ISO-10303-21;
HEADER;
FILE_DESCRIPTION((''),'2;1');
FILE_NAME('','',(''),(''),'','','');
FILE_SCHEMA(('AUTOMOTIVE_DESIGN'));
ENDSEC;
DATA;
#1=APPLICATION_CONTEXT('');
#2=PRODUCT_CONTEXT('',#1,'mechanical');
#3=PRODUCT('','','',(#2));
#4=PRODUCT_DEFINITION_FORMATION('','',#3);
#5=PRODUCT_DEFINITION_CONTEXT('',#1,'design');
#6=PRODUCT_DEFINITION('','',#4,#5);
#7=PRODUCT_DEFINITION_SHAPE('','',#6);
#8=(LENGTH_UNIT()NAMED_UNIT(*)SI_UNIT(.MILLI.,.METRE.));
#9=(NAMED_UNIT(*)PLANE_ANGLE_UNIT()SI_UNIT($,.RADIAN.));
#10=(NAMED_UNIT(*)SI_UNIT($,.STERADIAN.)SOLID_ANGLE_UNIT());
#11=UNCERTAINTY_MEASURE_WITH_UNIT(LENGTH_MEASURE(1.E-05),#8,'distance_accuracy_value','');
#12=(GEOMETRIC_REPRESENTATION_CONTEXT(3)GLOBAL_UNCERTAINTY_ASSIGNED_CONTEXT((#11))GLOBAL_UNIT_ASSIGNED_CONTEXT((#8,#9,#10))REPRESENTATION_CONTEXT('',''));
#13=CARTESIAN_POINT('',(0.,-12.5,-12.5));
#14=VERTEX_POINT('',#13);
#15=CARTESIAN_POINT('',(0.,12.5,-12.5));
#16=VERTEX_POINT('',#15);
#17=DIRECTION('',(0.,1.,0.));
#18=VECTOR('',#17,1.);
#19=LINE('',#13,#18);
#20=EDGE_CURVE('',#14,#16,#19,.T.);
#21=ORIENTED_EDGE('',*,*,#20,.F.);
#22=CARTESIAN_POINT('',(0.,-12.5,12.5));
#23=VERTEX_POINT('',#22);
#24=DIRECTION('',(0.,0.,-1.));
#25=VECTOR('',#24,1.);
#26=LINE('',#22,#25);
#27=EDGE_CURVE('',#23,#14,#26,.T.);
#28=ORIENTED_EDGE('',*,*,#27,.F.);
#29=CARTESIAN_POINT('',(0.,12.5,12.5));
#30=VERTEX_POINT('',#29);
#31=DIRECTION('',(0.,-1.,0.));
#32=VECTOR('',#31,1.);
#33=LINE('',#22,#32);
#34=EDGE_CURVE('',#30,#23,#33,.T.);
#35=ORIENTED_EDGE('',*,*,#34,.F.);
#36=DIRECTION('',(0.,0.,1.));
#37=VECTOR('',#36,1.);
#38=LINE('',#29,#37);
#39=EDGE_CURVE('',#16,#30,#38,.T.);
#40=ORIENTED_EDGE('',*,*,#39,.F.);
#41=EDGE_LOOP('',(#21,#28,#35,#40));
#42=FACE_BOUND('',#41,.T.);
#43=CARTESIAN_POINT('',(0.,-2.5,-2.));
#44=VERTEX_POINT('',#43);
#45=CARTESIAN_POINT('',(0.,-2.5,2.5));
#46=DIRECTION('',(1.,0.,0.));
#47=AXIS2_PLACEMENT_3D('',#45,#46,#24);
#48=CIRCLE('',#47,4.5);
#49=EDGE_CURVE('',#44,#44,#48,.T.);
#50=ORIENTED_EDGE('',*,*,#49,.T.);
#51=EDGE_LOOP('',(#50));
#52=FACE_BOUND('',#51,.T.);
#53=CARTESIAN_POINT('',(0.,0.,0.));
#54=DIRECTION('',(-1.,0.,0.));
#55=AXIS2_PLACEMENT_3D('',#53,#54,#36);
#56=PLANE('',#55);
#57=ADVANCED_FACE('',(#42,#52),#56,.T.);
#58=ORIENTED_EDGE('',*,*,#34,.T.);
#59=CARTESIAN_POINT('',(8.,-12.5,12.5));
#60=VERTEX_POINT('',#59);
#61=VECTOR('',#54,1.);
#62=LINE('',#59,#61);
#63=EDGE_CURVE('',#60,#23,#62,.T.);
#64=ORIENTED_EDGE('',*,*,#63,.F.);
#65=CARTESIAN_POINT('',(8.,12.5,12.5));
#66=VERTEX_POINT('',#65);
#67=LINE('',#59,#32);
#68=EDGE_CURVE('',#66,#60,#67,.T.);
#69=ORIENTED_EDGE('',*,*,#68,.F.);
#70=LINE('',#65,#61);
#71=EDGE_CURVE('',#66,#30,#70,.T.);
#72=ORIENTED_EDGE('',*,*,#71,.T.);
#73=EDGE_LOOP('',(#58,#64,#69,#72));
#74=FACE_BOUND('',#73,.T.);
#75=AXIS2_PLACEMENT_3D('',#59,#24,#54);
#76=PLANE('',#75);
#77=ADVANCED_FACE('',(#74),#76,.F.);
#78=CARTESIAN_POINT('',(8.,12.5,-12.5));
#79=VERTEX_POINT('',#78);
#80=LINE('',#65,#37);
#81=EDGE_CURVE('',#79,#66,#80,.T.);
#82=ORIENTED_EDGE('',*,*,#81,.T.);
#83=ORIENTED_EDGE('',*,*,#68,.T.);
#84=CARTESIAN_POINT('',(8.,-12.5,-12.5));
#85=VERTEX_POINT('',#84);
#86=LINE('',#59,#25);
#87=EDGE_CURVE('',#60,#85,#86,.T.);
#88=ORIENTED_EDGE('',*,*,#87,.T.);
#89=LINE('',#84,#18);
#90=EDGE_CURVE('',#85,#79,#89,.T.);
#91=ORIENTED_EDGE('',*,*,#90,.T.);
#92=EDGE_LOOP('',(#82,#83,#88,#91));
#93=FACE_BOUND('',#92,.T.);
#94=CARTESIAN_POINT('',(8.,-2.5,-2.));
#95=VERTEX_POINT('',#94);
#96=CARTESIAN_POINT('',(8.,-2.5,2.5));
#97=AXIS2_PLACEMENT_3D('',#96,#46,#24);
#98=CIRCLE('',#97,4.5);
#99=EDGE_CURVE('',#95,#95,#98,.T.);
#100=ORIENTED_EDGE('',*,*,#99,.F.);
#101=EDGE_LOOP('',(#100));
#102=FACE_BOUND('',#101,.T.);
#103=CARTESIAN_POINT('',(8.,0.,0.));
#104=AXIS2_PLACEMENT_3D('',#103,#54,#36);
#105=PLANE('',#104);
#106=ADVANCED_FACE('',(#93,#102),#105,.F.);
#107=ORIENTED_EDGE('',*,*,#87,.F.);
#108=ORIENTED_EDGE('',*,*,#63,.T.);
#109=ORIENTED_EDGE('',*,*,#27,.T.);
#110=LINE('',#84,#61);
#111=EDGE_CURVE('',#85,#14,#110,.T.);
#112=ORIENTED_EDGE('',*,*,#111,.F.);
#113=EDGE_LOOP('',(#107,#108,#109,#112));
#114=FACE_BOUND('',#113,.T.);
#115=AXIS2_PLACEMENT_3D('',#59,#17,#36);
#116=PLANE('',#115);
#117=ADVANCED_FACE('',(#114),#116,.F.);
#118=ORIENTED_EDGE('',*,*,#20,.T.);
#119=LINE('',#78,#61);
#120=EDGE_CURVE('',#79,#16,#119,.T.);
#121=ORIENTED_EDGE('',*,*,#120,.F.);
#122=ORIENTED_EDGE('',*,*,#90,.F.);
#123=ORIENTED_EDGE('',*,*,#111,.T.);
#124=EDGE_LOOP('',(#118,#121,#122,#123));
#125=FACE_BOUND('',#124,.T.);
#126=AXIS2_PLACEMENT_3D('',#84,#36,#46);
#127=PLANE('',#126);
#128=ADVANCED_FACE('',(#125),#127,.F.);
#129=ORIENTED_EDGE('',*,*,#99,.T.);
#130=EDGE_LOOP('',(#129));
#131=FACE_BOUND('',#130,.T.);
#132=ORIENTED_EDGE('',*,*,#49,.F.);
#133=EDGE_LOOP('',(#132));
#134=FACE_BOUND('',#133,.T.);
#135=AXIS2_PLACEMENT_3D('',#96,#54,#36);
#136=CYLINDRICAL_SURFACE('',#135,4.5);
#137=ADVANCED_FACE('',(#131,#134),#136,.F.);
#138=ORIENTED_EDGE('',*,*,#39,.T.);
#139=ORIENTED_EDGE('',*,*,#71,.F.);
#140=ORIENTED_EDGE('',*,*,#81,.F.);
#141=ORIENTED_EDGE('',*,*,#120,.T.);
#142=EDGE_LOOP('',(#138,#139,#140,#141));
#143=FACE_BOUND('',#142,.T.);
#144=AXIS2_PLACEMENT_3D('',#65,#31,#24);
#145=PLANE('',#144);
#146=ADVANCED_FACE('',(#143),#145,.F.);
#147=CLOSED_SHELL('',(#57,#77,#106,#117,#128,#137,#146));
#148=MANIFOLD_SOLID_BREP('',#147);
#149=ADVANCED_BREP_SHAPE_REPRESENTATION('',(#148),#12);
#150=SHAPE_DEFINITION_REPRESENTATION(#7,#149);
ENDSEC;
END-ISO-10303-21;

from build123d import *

# Parameters (mm, degrees)
SKETCH1_W           = 25
SKETCH1_H           = 25
SKETCH1_R           = 4.5
BOSS_EXTRUDE1_DEPTH = 8


with BuildPart() as part:
    # Sketch1 → Boss-Extrude1 (new body)
    with BuildSketch(Plane(origin=(0, 0, 0), x_dir=(0, 0, -1), z_dir=(1, 0, 0))):
        Rectangle(SKETCH1_W, SKETCH1_H)
        with Locations((-2.5, -2.5)):
            Circle(SKETCH1_R, mode=Mode.SUBTRACT)
    extrude(amount=BOSS_EXTRUDE1_DEPTH)


solid = part.part
